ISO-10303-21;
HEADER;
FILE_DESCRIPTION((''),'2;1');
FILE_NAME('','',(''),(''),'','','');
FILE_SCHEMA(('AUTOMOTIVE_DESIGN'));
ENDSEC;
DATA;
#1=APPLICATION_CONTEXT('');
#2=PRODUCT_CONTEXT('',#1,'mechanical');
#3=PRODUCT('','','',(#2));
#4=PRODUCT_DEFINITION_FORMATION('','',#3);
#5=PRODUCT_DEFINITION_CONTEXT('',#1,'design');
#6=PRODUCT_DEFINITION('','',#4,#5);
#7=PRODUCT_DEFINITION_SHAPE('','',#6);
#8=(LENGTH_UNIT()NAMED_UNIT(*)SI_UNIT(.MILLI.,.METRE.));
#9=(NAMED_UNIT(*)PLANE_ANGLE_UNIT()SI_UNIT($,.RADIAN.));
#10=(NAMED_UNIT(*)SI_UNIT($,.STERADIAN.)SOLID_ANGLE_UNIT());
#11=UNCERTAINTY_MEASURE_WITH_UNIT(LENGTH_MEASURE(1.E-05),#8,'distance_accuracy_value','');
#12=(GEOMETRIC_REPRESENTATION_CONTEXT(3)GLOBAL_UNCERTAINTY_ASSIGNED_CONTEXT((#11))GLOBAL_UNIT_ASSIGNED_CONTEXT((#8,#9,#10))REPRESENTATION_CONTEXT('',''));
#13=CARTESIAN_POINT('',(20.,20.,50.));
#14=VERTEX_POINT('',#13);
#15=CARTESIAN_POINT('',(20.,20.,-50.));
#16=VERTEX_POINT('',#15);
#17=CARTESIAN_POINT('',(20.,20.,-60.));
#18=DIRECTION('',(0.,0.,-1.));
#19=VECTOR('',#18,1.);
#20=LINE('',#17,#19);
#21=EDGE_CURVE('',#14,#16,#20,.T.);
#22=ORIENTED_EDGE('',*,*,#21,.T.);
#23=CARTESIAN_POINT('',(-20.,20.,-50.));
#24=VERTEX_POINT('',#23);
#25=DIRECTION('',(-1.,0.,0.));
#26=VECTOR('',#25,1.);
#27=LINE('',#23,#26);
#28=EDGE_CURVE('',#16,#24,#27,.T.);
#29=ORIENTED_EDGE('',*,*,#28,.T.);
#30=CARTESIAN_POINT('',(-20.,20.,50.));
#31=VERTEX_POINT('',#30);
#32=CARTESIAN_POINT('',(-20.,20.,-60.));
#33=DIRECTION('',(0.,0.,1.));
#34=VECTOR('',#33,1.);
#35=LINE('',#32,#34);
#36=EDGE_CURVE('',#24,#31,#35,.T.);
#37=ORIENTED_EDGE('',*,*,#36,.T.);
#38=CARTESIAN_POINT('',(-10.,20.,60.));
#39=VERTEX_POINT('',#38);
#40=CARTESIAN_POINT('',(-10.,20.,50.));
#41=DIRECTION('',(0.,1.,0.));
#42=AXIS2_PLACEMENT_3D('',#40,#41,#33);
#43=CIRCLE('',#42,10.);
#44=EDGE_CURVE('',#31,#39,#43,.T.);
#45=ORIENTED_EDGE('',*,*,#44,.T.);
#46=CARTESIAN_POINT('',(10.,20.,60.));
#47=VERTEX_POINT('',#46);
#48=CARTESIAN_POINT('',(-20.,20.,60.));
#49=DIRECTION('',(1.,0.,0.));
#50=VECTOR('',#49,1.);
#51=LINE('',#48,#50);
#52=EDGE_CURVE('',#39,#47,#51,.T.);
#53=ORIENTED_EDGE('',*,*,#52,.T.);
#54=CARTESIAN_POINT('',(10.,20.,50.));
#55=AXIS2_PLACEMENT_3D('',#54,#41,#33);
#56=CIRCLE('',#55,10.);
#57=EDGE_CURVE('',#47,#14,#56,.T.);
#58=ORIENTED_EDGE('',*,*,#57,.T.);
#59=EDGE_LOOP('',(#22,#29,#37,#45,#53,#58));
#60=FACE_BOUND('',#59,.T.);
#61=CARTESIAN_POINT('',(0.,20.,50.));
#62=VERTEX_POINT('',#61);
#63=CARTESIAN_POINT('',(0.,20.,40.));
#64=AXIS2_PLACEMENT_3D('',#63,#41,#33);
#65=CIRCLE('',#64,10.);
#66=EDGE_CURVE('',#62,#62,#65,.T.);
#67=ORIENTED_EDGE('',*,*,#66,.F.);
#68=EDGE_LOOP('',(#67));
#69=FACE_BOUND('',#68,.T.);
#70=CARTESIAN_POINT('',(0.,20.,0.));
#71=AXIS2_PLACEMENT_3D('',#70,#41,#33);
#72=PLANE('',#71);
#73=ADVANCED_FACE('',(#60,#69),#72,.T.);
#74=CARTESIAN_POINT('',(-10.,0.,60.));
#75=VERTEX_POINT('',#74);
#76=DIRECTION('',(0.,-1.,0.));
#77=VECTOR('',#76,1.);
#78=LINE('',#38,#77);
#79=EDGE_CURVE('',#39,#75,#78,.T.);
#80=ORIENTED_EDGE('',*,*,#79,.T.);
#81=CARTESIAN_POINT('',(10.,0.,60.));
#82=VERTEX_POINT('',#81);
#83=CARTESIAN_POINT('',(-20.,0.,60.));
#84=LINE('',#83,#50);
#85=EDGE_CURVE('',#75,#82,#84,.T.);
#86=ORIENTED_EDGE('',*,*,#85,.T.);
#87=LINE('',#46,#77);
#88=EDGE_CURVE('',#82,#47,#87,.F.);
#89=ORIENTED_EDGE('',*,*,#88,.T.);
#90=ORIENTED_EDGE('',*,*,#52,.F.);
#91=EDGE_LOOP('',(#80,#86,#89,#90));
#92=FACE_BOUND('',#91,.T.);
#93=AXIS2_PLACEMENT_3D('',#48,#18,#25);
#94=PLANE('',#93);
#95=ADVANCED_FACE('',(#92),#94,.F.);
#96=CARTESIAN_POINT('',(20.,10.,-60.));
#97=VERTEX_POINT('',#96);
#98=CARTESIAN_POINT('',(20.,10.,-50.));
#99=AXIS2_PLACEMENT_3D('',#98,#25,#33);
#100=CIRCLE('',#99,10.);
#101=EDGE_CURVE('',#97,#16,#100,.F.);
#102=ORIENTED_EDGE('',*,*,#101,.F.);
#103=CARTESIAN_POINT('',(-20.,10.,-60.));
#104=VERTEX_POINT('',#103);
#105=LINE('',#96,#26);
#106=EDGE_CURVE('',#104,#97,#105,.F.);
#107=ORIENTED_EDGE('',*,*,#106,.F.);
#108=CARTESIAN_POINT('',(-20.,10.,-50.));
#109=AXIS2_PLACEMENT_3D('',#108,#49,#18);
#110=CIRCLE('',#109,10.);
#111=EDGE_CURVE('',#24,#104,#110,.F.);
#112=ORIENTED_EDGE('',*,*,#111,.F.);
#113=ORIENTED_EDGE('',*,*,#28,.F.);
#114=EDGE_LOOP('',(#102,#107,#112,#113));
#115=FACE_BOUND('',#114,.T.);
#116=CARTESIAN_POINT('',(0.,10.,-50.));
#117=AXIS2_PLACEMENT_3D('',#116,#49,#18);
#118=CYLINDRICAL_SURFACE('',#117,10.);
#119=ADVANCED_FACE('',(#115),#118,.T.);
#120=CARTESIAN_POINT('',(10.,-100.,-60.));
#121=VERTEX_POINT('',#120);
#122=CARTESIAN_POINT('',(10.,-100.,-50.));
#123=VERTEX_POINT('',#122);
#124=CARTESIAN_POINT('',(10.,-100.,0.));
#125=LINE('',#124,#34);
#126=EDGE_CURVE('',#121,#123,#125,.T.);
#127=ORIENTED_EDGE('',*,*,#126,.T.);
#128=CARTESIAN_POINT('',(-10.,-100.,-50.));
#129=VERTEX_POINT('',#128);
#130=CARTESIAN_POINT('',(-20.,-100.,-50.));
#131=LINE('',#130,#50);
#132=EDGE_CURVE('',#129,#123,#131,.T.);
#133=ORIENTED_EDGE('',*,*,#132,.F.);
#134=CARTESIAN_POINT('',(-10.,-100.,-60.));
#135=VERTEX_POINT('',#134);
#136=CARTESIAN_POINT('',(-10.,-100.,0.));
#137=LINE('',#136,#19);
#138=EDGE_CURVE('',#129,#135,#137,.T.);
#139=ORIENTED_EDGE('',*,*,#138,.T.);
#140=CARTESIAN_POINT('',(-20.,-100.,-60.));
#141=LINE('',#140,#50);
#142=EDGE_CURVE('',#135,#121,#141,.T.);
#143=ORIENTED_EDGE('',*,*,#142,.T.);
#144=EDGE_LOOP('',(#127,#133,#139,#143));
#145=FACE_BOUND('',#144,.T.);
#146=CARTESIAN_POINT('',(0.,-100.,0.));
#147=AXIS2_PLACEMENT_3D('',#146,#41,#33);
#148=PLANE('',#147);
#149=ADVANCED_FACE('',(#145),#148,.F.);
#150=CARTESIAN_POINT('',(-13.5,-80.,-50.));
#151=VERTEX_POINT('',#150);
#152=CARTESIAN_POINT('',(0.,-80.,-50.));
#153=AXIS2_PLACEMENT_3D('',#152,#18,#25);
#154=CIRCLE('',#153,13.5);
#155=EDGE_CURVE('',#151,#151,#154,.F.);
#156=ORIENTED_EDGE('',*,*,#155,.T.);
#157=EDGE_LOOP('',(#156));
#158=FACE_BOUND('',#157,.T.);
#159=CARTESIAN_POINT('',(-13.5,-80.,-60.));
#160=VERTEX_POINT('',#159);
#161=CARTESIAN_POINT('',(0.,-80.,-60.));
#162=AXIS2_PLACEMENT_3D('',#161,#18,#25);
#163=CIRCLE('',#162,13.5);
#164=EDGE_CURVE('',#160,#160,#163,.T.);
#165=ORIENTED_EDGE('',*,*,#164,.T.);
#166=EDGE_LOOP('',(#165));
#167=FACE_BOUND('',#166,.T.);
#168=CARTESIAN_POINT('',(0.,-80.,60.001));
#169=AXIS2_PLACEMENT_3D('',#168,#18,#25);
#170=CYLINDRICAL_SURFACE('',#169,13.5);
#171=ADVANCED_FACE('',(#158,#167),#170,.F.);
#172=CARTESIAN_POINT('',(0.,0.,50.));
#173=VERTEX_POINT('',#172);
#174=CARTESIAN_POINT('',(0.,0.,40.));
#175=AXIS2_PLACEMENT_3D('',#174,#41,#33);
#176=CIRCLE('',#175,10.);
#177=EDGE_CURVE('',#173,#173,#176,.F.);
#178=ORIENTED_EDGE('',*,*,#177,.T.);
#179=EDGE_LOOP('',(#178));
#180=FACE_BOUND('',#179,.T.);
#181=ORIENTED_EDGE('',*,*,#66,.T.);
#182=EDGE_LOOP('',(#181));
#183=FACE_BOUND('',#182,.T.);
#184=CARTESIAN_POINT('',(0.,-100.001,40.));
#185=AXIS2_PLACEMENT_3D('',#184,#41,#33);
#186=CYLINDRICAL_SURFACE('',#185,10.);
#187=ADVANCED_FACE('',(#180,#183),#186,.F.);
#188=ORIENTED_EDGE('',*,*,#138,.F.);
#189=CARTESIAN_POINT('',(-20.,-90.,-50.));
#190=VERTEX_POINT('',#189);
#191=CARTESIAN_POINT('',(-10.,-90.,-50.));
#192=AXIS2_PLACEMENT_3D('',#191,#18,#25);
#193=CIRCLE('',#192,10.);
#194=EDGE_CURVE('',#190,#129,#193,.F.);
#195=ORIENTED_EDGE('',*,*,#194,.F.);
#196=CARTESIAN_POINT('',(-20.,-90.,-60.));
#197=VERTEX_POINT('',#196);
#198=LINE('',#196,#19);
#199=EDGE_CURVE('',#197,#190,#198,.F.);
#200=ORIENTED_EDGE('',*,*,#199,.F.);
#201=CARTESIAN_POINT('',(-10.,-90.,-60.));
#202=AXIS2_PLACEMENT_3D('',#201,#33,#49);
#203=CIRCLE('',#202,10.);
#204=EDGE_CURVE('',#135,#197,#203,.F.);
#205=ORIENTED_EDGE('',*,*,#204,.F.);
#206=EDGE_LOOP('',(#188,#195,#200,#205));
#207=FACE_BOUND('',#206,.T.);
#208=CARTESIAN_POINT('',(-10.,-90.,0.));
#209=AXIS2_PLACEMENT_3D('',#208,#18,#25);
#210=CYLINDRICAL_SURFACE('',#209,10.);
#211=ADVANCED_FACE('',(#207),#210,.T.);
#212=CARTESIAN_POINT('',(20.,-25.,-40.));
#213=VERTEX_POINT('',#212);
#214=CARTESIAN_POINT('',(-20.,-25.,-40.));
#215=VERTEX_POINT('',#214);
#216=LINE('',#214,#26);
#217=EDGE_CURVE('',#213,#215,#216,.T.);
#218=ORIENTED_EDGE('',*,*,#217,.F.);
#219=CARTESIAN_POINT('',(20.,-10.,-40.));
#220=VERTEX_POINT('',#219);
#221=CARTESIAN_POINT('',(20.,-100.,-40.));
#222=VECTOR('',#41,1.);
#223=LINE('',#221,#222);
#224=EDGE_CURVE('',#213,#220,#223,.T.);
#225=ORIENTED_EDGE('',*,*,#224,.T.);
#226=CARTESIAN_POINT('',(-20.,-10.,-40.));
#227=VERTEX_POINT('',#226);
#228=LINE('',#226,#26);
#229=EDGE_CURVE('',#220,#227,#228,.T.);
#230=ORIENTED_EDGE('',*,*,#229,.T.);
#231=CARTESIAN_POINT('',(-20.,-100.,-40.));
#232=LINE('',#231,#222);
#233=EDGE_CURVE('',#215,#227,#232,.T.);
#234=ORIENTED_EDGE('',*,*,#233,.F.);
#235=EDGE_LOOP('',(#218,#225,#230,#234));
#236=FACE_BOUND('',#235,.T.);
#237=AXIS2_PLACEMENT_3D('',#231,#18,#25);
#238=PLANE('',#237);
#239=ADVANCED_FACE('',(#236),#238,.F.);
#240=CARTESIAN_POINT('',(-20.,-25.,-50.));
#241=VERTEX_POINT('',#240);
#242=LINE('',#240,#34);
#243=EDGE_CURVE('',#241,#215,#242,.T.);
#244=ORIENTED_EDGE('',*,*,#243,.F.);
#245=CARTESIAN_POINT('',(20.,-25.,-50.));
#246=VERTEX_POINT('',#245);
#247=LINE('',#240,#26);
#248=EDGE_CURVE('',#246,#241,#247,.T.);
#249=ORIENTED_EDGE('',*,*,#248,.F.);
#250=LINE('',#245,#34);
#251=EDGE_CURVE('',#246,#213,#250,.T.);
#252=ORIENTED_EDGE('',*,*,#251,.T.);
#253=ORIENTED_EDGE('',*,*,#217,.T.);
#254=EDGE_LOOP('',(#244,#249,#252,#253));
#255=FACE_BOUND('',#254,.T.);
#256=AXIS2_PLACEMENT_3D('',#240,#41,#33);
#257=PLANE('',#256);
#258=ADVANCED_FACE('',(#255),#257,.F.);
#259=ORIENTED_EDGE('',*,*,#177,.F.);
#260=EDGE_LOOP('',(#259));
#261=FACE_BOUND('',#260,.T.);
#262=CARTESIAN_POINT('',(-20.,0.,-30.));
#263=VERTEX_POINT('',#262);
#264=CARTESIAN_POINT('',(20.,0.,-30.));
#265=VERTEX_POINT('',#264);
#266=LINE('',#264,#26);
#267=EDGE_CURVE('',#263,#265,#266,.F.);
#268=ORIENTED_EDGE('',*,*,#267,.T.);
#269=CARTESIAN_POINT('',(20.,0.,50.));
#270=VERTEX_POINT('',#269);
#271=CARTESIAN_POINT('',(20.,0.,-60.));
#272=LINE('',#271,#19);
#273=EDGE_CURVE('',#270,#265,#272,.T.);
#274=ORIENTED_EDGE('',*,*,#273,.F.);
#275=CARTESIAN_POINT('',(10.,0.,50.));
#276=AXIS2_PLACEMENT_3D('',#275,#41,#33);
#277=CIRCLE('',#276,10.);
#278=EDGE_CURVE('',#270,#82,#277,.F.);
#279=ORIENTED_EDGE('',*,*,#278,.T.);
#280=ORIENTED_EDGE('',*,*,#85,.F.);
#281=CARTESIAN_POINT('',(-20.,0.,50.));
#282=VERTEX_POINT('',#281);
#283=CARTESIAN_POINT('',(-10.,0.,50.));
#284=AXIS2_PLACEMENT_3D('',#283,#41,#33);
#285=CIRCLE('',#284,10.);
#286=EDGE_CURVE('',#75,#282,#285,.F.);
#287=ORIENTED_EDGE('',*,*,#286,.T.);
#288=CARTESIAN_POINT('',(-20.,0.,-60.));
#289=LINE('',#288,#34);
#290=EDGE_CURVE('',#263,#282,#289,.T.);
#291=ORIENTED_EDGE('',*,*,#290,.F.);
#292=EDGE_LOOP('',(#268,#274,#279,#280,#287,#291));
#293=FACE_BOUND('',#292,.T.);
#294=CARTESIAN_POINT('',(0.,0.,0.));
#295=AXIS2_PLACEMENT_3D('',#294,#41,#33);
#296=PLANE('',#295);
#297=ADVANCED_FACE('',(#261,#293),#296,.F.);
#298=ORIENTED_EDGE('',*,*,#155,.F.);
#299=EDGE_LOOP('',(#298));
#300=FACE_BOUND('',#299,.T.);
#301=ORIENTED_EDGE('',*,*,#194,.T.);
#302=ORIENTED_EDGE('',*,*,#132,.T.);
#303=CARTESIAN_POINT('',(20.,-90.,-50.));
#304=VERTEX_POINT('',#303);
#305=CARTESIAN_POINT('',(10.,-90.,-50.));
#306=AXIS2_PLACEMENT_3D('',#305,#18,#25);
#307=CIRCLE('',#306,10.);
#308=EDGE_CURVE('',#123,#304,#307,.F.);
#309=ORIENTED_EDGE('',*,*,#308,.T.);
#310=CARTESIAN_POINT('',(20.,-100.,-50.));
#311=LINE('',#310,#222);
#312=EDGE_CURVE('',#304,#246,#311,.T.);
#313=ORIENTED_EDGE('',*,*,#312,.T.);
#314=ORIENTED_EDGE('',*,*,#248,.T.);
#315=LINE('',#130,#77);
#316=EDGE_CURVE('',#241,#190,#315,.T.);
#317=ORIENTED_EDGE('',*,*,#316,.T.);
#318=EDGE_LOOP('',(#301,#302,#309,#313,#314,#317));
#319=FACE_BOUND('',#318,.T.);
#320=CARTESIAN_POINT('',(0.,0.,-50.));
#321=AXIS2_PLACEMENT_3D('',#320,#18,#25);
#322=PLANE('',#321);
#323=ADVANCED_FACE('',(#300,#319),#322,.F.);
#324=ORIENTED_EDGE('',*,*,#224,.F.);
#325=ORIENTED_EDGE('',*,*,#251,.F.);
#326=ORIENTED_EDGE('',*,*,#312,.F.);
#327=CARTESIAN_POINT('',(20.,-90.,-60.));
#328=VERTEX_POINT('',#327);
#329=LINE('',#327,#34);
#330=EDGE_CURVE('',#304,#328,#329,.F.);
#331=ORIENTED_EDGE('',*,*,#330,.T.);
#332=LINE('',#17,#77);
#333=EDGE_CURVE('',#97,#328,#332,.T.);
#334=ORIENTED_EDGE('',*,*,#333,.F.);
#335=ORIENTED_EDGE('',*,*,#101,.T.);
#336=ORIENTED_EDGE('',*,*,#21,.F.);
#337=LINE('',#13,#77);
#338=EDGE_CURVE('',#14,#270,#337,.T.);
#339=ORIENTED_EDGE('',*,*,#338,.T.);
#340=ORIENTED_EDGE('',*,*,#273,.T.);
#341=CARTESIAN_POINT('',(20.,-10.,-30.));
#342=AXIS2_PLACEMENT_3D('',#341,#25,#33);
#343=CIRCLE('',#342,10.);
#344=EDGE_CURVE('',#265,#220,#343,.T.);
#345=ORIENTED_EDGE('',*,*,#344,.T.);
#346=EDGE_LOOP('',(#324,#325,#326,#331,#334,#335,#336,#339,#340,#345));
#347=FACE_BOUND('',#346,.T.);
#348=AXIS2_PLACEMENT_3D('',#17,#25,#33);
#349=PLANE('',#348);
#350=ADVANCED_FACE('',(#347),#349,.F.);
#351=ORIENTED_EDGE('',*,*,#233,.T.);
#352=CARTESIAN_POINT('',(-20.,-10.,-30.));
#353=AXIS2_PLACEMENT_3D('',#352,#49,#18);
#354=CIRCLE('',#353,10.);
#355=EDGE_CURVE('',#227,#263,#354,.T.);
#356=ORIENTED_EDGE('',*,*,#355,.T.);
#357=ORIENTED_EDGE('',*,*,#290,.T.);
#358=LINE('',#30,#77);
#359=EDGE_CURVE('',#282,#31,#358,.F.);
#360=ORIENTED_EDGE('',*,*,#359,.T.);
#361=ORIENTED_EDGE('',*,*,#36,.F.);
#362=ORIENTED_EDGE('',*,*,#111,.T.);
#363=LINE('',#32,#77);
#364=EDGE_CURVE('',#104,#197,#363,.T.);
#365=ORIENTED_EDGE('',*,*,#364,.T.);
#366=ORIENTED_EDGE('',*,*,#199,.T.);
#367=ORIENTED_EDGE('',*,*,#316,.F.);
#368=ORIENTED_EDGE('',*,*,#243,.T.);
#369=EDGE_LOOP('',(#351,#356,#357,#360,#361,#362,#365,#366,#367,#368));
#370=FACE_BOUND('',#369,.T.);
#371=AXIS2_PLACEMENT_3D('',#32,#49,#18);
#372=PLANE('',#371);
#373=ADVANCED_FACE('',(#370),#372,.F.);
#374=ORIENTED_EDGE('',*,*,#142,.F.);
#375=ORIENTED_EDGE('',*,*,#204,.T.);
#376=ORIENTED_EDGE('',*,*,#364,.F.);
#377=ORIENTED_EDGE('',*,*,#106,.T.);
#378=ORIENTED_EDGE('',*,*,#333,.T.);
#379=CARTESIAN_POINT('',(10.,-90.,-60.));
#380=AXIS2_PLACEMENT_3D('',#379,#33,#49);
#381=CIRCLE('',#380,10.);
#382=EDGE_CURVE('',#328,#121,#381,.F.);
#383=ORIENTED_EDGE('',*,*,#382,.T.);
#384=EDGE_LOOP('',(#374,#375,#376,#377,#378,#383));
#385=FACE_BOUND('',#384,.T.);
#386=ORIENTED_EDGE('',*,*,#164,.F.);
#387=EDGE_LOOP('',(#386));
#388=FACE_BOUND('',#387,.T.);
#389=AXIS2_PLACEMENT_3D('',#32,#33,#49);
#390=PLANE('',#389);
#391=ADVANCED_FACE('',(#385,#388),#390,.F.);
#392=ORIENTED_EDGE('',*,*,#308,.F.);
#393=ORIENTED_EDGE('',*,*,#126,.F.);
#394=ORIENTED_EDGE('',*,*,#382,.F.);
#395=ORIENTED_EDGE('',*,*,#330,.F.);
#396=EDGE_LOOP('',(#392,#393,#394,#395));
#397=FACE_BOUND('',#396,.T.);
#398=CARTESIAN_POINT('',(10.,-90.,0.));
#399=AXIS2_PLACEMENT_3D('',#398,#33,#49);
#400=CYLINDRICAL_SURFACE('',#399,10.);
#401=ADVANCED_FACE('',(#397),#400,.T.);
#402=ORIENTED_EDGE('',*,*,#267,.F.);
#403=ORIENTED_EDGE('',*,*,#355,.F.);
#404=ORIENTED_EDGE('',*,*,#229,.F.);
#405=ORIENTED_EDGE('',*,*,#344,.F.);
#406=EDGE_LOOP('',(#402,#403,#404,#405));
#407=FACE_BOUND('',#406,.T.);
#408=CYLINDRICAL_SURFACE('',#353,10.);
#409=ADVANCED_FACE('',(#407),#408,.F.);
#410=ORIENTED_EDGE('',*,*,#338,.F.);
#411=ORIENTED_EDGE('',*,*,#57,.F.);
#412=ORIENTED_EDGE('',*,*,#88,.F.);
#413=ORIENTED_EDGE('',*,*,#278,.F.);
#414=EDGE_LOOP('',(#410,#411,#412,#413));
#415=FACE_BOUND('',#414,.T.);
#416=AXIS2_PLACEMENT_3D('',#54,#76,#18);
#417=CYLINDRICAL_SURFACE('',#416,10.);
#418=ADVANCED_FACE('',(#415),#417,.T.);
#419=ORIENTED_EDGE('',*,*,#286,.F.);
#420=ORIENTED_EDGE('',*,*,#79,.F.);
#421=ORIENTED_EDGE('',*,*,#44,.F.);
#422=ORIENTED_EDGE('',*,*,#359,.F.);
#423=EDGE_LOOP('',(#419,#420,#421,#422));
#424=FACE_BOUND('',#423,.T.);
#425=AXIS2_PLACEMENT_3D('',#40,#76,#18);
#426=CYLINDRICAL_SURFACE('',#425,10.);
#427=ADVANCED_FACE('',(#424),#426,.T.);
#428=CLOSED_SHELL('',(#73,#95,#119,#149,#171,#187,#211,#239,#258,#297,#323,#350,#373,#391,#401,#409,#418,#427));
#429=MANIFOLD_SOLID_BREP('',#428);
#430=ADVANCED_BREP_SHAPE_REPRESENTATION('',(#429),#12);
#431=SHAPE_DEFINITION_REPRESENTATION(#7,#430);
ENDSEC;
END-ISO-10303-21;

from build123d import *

# Parameters (mm, degrees)
SKETCH1_W           = 40
SKETCH1_H           = 120
BOSS_EXTRUDE1_DEPTH = 20
SKETCH3_W           = 40
SKETCH3_H           = 20
BOSS_EXTRUDE3_DEPTH = 100
SKETCH4_W           = 40
SKETCH4_H           = 75
CUT_EXTRUDE1_DEPTH  = 10
FILLET1_R           = 10
CUT_EXTRUDE2_REACH  = 122
SKETCH5_R           = 13.5
CUT_EXTRUDE3_REACH  = 122
SKETCH6_R           = 10
FILLET2_R           = 10


with BuildPart() as part:
    # Sketch1 → Boss-Extrude1 (new body)
    with BuildSketch(Plane(origin=(0, 0, 0), x_dir=(1, 0, 0), z_dir=(0, 1, 0))):
        Rectangle(SKETCH1_W, SKETCH1_H)
    extrude(amount=BOSS_EXTRUDE1_DEPTH)

    # Sketch3 → Boss-Extrude3 (add)
    with BuildSketch(Plane.XZ):
        with Locations((0, -50)):
            Rectangle(SKETCH3_W, SKETCH3_H)
    extrude(amount=BOSS_EXTRUDE3_DEPTH)

    # Sketch4 → Cut-Extrude1 (cut)
    with BuildSketch(Plane.XY.offset(-40)):
        with Locations((0, -62.5)):
            Rectangle(SKETCH4_W, SKETCH4_H)
    extrude(amount=-CUT_EXTRUDE1_DEPTH, mode=Mode.SUBTRACT)

    # Fillet1
    fillet1_edges = [part.edges().sort_by_distance(p)[0] for p in [
        (20, 10, 60),
        (-20, 10, 60),
        (20, -100, -55),
        (-20, -100, -55),
        (0, 20, -60),
    ]]
    fillet(fillet1_edges, radius=FILLET1_R)

    # Sketch5 → Cut-Extrude2 (cut, up to next)
    with BuildSketch(Plane(origin=(0, 0, -60), x_dir=(-1, 0, 0), z_dir=(0, 0, -1)), mode=Mode.PRIVATE) as cut_extrude2_sk1:
        with Locations((0, -80)):
            Circle(SKETCH5_R)
    cut_extrude2_tool1 = extrude(cut_extrude2_sk1.sketch, amount=-CUT_EXTRUDE2_REACH, mode=Mode.PRIVATE) & part.part
    add(cut_extrude2_tool1.solids().sort_by_distance((0, -80, -60))[0], mode=Mode.SUBTRACT)

    # Sketch6 → Cut-Extrude3 (cut, up to next)
    with BuildSketch(Plane(origin=(0, 20, 0), x_dir=(1, 0, 0), z_dir=(0, 1, 0)), mode=Mode.PRIVATE) as cut_extrude3_sk1:
        with Locations((0, -40)):
            Circle(SKETCH6_R)
    cut_extrude3_tool1 = extrude(cut_extrude3_sk1.sketch, amount=-CUT_EXTRUDE3_REACH, mode=Mode.PRIVATE) & part.part
    add(cut_extrude3_tool1.solids().sort_by_distance((0, 20, 40))[0], mode=Mode.SUBTRACT)

    # Fillet2
    fillet2_edges = [part.edges().sort_by_distance(p)[0] for p in [
        (0, 0, -40),
    ]]
    fillet(fillet2_edges, radius=FILLET2_R)


solid = part.part
